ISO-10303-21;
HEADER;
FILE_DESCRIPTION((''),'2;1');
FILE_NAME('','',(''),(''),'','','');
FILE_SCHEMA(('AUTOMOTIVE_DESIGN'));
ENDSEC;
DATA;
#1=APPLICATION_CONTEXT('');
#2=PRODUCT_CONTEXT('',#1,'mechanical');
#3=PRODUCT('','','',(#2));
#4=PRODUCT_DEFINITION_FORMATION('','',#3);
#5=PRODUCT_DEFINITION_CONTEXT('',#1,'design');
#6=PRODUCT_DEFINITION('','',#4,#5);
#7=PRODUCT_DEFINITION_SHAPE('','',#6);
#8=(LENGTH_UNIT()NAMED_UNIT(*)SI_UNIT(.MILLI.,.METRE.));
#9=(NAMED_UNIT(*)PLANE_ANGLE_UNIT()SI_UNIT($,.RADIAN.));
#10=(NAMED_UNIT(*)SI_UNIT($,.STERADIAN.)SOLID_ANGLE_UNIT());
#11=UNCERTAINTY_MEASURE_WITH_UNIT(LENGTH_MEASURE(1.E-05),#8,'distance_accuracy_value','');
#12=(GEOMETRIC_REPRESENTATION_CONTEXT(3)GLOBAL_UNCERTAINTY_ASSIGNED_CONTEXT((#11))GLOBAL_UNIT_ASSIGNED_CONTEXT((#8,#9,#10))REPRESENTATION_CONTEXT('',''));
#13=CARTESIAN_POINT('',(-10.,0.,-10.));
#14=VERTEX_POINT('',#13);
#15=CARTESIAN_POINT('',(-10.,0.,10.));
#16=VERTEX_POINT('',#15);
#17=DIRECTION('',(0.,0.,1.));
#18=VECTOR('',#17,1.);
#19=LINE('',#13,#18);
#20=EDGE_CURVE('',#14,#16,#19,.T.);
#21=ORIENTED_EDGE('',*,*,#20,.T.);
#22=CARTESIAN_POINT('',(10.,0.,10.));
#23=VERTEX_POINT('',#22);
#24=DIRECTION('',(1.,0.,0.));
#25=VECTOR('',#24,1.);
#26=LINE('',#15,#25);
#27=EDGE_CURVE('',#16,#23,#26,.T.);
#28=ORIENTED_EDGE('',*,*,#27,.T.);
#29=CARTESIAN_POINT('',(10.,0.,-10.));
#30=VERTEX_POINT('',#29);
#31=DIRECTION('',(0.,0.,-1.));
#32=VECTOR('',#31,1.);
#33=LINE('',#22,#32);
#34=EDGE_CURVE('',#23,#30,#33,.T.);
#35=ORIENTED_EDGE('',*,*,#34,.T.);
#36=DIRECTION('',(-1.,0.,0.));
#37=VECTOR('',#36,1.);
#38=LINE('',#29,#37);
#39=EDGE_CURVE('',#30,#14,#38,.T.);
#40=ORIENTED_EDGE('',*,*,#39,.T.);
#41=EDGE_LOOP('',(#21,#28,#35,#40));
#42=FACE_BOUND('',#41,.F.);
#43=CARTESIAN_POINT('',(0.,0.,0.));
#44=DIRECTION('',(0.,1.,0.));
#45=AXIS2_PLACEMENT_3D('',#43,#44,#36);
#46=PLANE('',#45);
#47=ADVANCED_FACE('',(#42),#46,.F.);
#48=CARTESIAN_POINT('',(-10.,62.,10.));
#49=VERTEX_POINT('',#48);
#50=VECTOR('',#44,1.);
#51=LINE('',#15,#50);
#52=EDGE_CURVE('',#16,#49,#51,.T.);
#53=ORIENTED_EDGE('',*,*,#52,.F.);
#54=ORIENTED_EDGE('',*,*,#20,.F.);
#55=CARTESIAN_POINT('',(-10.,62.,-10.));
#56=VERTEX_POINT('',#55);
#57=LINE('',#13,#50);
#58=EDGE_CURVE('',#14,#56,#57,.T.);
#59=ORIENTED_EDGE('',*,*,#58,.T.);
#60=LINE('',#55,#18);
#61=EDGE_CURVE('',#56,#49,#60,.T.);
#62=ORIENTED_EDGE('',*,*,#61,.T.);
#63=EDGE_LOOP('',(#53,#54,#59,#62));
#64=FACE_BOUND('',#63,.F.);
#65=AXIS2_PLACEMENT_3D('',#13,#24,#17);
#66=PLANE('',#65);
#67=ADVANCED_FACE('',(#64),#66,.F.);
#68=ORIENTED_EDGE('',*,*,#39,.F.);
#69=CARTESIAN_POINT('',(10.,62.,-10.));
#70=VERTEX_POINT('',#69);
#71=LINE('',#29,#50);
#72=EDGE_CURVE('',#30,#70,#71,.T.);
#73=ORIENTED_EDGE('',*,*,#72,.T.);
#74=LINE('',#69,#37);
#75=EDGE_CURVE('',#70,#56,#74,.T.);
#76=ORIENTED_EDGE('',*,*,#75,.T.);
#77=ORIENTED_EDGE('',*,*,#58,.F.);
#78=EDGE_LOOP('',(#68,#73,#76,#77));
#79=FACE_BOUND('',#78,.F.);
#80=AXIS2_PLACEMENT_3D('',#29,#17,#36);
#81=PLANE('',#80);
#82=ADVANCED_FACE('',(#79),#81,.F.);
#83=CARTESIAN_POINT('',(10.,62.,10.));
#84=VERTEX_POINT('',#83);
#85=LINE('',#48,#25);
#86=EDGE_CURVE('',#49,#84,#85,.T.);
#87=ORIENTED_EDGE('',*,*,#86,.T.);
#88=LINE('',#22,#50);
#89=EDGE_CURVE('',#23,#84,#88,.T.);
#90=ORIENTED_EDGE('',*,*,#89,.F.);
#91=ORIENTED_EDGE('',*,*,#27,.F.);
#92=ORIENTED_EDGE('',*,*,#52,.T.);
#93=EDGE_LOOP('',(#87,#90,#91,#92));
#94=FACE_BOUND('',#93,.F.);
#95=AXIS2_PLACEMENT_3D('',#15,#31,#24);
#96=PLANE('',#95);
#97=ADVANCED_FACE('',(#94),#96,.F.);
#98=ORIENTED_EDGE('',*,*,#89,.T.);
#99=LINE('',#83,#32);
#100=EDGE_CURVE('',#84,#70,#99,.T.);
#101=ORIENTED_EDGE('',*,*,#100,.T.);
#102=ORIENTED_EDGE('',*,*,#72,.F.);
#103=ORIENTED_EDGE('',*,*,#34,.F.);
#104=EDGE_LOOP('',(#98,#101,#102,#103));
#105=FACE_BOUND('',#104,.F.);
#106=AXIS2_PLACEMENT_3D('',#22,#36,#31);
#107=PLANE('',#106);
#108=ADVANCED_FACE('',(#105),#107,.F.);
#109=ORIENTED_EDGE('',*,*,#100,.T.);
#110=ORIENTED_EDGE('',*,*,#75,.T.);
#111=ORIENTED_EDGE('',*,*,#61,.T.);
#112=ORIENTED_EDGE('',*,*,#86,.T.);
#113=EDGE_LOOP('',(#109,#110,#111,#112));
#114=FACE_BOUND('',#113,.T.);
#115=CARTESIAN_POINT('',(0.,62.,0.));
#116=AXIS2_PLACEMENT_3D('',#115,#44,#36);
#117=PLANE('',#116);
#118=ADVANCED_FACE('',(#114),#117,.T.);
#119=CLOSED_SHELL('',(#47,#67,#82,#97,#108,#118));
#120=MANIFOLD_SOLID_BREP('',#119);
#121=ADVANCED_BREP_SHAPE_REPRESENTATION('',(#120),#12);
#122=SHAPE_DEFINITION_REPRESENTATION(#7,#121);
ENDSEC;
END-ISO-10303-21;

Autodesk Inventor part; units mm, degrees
ref_plane "YZ Plane" through (0, 0, 0) normal (1, 0, 0) x (0, 1, 0)
ref_plane "XZ Plane" through (0, 0, 0) normal (0, 1, 0) x (-1, 0, 0)
ref_plane "XY Plane" through (0, 0, 0) normal (0, 0, 1) x (1, 0, 0)
sketch "Sketch1" plane through (0, 0, 0) normal (0, 1, 0) x (-1, 0, 0)
  line L0 (-10, -10) -> (10, -10)
  line L1 (10, -10) -> (10, 10)
  line L2 (10, 10) -> (-10, 10)
  line L3 (-10, 10) -> (-10, -10)
  line L4 (-10, -10) -> (10, 10) construction
  line L5 (10, -10) -> (-10, 10) construction
  point P0 (0, 0)
  point P1 (0, 0)
  dimension "d0" = 20
  dimension "d1" = 20
extrude "Extrusion1" add sketch "Sketch1" along normal blind 62
properties part number "T_Slot_Pillar_150mm"
